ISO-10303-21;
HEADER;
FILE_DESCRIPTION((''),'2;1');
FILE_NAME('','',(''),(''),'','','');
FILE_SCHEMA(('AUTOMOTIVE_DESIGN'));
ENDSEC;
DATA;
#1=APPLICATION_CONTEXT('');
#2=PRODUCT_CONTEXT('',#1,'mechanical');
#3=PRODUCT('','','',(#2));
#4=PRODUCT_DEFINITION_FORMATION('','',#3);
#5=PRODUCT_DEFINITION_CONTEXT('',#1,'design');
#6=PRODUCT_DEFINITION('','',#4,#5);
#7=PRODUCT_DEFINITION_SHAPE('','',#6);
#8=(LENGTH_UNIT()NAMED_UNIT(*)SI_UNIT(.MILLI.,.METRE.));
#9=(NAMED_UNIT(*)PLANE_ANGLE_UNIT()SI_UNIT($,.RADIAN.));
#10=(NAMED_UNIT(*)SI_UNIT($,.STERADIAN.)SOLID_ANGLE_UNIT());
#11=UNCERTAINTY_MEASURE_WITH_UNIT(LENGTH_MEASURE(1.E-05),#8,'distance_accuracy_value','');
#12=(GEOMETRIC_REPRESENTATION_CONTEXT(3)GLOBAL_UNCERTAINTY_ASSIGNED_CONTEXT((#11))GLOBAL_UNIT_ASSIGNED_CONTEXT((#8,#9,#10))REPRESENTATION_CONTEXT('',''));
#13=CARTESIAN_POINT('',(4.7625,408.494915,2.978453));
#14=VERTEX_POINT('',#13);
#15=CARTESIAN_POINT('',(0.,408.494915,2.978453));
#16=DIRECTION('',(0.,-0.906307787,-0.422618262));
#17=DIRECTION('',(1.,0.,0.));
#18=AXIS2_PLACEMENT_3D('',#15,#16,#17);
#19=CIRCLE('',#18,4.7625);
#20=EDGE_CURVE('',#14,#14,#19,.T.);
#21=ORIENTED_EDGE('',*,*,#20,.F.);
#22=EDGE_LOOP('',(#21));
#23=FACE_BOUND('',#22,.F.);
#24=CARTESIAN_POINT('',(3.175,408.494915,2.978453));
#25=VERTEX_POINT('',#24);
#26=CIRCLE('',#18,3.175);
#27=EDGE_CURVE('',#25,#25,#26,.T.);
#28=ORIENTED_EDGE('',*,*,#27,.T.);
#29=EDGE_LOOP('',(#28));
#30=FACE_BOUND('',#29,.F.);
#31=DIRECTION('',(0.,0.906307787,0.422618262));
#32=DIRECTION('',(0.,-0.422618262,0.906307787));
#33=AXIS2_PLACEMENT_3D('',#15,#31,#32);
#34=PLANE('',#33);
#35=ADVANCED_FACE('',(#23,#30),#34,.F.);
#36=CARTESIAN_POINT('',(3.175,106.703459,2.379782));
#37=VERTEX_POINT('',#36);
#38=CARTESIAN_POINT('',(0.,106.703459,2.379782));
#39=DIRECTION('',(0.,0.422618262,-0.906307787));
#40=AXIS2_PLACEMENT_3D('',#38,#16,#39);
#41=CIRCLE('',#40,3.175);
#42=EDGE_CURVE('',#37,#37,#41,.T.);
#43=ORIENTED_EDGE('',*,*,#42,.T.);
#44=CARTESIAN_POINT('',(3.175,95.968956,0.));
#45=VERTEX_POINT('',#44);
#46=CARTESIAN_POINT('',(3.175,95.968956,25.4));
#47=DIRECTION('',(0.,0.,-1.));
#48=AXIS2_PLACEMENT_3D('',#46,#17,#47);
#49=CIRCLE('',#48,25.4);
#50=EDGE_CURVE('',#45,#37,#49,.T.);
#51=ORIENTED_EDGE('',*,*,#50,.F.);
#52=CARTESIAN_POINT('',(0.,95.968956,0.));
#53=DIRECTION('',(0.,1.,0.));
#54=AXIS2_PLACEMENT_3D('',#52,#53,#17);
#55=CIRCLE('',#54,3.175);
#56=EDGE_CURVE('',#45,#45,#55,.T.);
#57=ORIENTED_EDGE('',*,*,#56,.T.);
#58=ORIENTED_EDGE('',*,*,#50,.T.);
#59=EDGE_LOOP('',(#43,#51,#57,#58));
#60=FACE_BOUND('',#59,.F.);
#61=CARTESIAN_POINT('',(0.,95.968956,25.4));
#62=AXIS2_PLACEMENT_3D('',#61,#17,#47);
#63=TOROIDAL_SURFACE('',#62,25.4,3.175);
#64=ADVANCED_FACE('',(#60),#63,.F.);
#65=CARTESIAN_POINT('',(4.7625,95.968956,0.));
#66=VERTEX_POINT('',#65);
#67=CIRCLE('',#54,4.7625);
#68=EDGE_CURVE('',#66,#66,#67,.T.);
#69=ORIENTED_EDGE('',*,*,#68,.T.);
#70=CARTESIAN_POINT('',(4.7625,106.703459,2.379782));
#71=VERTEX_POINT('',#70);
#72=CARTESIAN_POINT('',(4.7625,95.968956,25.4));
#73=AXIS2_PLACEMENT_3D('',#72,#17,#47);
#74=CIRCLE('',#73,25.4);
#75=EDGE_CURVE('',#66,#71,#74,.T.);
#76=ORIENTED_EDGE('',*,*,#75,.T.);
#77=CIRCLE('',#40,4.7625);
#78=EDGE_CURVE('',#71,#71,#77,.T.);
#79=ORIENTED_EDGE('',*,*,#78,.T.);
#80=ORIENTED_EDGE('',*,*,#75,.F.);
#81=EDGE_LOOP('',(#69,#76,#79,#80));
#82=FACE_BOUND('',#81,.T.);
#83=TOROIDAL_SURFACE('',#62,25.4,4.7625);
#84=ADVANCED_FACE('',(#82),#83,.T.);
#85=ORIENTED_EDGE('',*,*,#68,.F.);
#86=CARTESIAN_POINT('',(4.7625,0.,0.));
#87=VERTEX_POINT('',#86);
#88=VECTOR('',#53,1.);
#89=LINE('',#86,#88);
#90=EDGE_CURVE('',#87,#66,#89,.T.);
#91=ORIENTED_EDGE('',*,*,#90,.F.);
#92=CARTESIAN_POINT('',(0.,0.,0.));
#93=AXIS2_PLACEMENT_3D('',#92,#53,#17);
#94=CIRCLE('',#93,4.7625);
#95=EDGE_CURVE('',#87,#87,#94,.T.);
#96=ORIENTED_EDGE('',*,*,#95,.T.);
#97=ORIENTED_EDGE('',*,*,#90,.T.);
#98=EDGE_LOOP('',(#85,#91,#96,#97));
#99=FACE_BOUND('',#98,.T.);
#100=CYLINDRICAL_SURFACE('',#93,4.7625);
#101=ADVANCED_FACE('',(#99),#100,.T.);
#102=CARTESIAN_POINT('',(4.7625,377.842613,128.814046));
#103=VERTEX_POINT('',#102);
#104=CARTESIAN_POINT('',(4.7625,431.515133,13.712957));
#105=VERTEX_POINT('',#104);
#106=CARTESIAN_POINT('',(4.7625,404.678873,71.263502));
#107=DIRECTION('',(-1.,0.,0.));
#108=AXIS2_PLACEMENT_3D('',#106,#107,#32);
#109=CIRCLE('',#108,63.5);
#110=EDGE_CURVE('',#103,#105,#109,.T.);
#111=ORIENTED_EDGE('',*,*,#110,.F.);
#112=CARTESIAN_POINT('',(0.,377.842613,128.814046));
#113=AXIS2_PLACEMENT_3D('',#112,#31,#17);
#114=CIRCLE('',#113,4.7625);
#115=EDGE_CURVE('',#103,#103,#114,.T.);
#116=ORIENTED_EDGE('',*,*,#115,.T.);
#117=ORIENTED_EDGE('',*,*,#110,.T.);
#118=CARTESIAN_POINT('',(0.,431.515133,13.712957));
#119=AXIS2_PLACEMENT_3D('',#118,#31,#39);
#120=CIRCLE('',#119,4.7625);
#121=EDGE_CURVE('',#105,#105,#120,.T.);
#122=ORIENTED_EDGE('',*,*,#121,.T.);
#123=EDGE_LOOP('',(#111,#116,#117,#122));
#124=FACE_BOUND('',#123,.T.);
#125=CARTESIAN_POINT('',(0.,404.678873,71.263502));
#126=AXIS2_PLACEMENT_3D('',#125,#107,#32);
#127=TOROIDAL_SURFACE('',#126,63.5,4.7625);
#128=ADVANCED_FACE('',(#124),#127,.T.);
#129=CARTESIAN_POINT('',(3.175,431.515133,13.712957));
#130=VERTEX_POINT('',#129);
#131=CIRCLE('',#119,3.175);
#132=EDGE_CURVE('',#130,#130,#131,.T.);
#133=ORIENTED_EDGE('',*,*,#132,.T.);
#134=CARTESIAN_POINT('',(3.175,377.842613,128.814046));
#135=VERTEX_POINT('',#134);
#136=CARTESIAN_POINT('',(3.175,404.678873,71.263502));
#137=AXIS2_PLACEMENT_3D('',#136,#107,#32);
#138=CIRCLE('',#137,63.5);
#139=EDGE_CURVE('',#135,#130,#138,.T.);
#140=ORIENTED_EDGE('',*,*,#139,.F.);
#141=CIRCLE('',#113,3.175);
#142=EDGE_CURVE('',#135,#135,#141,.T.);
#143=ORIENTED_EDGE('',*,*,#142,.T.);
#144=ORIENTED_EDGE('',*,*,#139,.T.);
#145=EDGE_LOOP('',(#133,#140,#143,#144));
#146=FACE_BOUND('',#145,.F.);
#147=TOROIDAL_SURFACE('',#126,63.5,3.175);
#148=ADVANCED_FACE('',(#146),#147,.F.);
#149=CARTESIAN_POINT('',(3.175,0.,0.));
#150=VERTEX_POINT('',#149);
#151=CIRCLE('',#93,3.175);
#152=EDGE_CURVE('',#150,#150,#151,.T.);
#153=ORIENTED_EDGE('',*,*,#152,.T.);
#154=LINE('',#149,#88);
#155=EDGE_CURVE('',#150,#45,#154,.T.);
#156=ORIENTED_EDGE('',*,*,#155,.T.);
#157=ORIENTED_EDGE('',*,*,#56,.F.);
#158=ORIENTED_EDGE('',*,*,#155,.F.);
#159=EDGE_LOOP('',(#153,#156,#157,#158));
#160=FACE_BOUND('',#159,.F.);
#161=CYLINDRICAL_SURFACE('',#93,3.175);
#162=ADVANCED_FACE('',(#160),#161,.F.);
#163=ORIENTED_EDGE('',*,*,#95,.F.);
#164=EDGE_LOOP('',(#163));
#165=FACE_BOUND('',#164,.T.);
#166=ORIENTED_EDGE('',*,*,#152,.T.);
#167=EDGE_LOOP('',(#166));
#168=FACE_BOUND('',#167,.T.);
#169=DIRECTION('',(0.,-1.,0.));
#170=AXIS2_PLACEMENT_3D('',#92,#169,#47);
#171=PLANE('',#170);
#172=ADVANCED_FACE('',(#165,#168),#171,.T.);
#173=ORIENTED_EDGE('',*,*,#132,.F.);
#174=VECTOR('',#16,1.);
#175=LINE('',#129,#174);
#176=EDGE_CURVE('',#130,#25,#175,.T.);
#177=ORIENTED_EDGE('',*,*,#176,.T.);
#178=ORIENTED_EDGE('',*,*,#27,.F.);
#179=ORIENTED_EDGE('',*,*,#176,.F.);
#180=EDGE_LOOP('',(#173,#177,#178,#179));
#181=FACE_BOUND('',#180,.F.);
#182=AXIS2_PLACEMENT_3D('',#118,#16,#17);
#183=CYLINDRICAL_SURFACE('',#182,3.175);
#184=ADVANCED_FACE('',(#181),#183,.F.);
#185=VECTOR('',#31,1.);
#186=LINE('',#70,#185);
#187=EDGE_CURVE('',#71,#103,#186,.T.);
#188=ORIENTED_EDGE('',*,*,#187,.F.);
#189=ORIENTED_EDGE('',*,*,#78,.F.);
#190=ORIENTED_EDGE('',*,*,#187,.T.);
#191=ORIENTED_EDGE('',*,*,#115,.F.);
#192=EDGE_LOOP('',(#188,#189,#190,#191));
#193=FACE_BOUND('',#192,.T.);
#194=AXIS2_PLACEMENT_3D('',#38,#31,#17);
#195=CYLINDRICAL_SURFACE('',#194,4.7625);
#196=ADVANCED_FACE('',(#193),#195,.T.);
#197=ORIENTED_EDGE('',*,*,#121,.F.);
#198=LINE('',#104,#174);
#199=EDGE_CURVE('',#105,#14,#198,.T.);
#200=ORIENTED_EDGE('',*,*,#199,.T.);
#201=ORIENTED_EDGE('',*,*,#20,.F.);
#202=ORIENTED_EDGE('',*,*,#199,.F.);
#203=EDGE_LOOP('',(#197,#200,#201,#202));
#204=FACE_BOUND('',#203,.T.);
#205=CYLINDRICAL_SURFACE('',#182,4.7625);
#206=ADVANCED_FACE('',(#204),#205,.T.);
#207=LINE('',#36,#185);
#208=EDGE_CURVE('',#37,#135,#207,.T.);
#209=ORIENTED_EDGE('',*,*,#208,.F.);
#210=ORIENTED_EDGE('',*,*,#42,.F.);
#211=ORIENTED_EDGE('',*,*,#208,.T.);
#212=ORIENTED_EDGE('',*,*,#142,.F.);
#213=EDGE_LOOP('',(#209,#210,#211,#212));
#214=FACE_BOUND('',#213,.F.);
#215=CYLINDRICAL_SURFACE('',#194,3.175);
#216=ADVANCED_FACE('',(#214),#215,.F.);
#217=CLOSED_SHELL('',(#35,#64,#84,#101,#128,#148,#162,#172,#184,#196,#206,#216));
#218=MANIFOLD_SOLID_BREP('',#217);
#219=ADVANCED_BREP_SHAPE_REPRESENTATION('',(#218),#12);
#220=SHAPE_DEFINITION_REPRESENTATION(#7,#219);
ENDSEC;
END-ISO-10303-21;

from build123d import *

# Parameters (mm, degrees)
F1_R = 4.7625
F3_T = -1.5875


with BuildPart() as f2:
    # F2: sweep along a path in F0
    with BuildLine(Plane.YZ) as f2_path:
        Line((0, 0), (95.9689555689, 0))
        ThreePointArc((95.9689555689, 0), (101.4665217629, 0.6020814192), (106.7034594171, 2.3797822093))
        Line((106.7034594171, 2.3797822093), (377.8426134888, 128.8140461786))
        ThreePointArc((377.8426134888, 128.8140461786), (462.2294175861, 98.0997613223), (431.5151327298, 13.7129572249))
        Line((431.5151327298, 13.7129572249), (408.4949149391, 2.9784533767))
    # F1 (on Front) → F2 (sweep)
    with BuildSketch(Plane.XZ):
        Circle(F1_R)
    sweep(path=f2_path.line)

    # F3
    f3_openings = [f2.faces().sort_by_distance(p)[0] for p in [
        (0, 0, 0),
        (0, 408.494915, 2.978453),
    ]]
    offset(amount=F3_T, openings=f3_openings)


solid = f2.part
